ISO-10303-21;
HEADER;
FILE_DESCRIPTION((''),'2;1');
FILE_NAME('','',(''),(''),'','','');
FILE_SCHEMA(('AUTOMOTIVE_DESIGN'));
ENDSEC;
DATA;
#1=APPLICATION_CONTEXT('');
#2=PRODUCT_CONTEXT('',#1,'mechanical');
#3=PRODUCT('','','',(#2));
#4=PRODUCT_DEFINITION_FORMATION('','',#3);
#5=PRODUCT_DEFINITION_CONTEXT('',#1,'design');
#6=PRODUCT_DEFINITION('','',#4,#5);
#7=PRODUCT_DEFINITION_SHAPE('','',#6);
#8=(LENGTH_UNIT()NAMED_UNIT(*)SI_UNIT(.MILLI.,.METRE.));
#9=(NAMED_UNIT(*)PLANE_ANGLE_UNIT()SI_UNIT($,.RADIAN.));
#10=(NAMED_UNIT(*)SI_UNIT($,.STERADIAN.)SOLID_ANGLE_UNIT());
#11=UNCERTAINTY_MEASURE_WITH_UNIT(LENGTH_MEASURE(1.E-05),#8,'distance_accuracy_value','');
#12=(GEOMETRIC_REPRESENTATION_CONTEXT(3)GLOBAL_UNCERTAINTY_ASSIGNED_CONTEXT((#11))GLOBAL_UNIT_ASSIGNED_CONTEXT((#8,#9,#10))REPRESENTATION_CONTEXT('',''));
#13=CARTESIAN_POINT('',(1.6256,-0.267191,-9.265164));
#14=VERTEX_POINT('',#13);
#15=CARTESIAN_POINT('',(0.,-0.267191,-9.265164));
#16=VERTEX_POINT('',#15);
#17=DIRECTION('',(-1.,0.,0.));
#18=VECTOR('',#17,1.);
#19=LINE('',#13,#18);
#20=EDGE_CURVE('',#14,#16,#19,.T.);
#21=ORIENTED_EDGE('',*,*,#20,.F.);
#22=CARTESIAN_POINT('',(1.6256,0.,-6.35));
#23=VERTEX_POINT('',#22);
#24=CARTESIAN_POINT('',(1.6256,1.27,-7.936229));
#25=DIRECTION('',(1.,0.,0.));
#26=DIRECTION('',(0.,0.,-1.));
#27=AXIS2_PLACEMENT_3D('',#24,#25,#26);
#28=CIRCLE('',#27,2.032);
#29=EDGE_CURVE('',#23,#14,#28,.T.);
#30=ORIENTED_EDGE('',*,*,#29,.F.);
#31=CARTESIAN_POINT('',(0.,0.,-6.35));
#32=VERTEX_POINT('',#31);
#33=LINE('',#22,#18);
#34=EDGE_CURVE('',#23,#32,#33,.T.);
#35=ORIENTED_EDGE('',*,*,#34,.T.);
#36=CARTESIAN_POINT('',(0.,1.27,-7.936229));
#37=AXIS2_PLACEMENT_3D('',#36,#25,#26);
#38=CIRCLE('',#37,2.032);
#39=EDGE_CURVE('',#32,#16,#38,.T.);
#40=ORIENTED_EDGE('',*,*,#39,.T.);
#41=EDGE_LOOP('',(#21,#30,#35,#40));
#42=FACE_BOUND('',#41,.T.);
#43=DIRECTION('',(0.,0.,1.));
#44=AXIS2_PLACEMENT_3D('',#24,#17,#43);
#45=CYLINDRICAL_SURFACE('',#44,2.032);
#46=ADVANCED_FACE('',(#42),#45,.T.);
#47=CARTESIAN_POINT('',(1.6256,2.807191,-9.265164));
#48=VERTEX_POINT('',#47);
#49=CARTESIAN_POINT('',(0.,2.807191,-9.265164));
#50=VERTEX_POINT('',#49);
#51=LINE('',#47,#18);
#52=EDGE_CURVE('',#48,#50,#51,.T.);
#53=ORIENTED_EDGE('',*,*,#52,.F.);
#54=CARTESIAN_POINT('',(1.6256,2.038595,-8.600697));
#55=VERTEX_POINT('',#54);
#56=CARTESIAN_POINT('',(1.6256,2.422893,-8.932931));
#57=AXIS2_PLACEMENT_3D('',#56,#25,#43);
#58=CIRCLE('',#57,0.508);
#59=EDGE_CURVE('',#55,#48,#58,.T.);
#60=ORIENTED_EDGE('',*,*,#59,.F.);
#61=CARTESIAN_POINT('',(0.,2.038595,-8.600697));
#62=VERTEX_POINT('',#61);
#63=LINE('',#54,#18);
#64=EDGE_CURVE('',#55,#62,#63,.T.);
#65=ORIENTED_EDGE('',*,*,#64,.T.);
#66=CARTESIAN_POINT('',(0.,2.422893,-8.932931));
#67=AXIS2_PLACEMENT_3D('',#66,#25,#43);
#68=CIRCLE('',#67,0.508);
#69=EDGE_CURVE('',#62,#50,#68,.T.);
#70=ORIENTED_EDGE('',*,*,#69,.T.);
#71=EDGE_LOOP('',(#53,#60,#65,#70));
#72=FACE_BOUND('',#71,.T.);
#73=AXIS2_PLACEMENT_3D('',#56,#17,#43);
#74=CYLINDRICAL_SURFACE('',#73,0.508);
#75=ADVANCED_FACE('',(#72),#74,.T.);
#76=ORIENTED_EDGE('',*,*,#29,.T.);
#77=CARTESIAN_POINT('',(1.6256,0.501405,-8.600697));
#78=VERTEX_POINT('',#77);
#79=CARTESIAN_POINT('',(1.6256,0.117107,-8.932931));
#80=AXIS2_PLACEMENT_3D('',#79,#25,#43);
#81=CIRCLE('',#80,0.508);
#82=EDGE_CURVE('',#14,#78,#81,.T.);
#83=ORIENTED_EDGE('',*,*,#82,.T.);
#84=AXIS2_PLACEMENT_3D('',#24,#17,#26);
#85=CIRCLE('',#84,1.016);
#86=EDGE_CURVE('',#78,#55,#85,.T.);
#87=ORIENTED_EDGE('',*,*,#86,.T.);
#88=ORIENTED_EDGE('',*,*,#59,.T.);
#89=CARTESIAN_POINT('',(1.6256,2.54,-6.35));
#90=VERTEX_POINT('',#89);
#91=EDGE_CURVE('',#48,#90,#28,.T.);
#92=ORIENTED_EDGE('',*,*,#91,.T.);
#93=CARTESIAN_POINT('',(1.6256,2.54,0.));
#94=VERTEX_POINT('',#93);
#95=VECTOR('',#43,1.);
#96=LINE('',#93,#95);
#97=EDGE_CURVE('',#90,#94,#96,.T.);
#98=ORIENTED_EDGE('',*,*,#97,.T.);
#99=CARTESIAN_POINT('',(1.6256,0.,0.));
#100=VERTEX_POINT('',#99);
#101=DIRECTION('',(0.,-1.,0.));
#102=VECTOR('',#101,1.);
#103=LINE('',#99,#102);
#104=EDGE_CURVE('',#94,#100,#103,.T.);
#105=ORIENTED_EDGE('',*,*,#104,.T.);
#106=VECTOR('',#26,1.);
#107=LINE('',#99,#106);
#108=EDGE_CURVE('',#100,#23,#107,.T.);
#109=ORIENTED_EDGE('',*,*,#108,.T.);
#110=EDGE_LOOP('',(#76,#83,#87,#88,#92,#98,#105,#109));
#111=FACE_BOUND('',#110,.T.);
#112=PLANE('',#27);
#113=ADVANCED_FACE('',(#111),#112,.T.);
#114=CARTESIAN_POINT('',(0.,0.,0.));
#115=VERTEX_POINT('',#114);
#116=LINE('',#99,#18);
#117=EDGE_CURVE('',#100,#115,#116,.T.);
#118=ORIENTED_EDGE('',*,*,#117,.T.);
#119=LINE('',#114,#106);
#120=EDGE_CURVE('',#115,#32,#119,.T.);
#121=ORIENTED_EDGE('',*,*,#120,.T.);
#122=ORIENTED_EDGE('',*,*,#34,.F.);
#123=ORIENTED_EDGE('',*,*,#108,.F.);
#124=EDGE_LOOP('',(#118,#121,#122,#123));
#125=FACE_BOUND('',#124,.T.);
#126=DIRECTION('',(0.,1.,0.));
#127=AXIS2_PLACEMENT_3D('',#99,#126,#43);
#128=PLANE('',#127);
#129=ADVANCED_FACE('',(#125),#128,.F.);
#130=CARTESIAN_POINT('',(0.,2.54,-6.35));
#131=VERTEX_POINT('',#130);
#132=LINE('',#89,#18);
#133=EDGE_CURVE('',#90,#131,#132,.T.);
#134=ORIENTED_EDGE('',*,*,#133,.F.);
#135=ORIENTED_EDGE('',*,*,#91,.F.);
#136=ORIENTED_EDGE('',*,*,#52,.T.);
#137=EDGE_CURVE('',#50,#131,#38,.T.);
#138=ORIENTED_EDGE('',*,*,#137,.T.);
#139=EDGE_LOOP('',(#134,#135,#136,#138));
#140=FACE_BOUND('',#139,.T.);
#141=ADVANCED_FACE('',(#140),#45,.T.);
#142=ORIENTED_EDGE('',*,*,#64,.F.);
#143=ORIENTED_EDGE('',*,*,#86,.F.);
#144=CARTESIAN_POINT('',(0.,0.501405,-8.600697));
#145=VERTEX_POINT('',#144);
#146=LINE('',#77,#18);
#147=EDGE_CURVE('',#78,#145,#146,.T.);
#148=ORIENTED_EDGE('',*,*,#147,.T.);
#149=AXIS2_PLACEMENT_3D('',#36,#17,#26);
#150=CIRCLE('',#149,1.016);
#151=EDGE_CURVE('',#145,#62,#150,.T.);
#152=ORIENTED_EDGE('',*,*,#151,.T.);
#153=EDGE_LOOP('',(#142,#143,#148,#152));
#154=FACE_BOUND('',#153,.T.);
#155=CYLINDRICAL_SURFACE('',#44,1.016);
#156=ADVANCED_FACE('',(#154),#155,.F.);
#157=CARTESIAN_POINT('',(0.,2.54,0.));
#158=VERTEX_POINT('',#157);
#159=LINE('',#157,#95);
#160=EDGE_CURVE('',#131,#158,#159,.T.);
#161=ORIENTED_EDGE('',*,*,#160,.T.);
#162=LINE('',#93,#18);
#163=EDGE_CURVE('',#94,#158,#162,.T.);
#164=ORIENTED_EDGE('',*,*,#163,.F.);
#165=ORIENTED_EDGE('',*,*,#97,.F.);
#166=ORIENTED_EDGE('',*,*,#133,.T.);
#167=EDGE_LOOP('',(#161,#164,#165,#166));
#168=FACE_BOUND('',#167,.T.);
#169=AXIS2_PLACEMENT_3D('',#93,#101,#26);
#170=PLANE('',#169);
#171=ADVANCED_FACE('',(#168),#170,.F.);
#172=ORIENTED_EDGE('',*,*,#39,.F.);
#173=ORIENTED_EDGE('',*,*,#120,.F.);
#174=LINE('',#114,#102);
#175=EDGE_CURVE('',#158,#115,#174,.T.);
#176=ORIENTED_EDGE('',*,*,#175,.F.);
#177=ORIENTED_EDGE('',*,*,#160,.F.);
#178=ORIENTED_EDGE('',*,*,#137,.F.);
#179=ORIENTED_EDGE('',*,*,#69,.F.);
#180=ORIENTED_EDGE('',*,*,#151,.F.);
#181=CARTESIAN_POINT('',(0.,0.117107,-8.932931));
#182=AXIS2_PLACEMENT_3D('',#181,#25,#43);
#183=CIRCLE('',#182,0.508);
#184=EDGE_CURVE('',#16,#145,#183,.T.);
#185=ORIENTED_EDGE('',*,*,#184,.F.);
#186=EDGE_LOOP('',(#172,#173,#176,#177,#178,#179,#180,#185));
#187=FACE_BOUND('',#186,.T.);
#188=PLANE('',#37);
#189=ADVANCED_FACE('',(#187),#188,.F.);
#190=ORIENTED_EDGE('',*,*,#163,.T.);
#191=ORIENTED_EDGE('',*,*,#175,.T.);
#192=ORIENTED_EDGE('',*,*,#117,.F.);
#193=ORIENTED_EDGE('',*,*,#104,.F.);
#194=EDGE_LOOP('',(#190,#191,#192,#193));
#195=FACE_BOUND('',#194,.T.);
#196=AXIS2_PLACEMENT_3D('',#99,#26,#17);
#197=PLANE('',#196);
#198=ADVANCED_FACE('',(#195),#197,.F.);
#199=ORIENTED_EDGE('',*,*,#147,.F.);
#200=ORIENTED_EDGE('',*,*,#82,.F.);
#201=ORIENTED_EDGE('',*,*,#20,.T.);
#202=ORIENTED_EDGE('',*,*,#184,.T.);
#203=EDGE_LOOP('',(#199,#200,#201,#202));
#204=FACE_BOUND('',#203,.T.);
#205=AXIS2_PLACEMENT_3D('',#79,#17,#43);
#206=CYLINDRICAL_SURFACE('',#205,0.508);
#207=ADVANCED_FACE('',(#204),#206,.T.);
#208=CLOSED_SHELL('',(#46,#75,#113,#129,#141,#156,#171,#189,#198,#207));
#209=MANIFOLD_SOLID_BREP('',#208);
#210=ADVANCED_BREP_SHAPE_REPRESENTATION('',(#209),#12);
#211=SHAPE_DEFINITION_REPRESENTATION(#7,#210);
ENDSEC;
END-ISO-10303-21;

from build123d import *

# Parameters (mm, degrees)
BOSS_EXTRUDE1_DEPTH = 1.6256


with BuildPart() as part:
    # Sketch1 → Boss-Extrude1 (new body)
    with BuildSketch(Plane(origin=(0, 0, 0), x_dir=(0, 0, -1), z_dir=(1, 0, 0))):
        with BuildLine():
            Line((0, 0), (6.35, 0))
            ThreePointArc((6.35, 0), (7.750762825, -0.753518252), (9.265164366, -0.267190977))
            ThreePointArc((9.265164366, -0.267190977), (9.317228392, 0.449340486), (8.600696929, 0.501404512))
            ThreePointArc((8.600696929, 0.501404512), (6.920229492, 1.27), (8.600696929, 2.038595488))
            ThreePointArc((8.600696929, 2.038595488), (9.317228392, 2.090659514), (9.265164366, 2.807190977))
            ThreePointArc((9.265164366, 2.807190977), (7.750762825, 3.293518252), (6.35, 2.54))
            Line((6.35, 2.54), (0, 2.54))
            Line((0, 2.54), (0, 0))
        make_face()
    extrude(amount=BOSS_EXTRUDE1_DEPTH)


solid = part.part
